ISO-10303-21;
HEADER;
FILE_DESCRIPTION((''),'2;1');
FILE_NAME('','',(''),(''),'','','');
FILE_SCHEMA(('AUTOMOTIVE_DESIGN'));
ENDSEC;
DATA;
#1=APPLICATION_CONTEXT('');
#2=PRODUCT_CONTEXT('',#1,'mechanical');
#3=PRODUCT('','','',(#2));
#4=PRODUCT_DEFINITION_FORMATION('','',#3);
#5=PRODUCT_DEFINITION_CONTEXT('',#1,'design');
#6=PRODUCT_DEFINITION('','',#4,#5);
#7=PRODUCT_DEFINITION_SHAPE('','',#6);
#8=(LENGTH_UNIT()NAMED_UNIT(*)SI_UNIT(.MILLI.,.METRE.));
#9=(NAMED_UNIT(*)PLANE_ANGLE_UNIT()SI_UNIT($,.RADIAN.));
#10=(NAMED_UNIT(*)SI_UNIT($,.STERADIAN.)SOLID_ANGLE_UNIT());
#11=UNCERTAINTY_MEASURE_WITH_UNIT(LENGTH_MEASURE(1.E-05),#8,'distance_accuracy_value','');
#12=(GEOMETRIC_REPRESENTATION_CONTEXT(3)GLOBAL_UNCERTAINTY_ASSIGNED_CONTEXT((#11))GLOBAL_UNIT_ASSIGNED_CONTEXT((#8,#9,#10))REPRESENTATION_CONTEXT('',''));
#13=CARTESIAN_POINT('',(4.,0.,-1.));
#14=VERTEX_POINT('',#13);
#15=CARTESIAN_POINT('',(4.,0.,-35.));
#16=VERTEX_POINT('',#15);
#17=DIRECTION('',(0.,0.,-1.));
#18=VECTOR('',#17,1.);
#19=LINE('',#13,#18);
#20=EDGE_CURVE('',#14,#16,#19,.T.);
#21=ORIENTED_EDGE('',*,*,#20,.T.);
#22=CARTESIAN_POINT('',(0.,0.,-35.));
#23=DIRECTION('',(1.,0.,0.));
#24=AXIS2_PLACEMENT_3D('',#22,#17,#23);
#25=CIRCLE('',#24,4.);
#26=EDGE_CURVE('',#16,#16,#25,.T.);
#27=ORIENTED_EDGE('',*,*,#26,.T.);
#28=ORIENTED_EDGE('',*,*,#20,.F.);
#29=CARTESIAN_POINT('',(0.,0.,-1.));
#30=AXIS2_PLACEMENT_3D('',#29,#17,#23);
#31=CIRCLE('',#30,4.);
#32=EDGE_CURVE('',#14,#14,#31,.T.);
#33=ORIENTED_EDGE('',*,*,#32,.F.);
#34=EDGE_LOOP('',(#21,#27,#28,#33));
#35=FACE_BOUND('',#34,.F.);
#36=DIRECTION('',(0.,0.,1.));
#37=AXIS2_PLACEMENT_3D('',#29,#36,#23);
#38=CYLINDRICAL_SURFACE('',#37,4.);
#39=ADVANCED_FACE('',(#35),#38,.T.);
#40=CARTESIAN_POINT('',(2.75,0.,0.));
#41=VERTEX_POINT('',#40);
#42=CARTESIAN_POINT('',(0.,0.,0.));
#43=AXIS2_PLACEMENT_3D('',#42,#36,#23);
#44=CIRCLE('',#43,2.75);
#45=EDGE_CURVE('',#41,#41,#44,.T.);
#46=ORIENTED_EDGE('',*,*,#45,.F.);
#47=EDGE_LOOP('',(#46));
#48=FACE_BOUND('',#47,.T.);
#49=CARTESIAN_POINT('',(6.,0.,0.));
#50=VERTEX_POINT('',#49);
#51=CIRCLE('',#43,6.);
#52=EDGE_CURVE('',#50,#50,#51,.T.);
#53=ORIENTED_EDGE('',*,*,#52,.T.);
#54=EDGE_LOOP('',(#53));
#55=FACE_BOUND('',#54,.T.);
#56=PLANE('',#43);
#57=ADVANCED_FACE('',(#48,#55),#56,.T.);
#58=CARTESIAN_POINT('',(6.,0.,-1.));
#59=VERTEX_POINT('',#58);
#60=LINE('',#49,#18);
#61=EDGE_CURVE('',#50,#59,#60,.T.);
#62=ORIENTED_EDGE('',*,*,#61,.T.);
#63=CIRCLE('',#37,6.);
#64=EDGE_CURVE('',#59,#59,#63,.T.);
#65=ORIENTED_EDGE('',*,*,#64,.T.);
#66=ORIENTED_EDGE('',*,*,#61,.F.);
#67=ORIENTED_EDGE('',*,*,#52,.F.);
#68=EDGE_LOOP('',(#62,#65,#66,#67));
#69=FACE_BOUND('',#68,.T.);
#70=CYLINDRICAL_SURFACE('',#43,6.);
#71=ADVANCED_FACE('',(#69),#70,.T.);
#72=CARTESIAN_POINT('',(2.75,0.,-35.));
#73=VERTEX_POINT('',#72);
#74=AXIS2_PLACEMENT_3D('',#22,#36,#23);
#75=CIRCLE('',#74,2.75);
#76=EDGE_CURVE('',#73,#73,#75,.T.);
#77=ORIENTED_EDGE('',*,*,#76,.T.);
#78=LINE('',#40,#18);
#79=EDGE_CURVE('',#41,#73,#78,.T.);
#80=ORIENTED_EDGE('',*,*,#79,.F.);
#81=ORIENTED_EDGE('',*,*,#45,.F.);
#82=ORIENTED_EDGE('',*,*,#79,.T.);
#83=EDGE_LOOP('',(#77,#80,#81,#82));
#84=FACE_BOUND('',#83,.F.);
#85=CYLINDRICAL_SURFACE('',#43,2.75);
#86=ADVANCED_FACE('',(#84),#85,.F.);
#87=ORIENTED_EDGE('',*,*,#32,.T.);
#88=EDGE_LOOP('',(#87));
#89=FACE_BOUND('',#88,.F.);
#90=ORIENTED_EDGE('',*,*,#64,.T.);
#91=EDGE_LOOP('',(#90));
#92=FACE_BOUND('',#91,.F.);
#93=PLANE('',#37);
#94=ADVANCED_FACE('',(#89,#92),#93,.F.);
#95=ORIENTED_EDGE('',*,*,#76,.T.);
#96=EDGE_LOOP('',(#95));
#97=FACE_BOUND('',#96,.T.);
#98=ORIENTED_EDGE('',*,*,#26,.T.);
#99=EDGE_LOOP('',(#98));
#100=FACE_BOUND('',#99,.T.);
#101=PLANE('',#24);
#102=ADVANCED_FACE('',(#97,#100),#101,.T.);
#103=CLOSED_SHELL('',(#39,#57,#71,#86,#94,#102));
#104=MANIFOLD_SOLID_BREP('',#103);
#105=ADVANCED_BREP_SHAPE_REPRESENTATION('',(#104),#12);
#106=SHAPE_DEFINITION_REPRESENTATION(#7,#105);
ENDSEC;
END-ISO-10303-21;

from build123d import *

# Parameters (mm, degrees)
F0_R     = 6
F1_DEPTH = 1
F2_R     = 4
F3_DEPTH = 34
F4_R     = 2.75
F5_DEPTH = 35


with BuildPart() as f1:
    # F0 (on Top) → F1 (new body)
    with BuildSketch(Plane.XY):
        Circle(F0_R)
    extrude(amount=-F1_DEPTH)

    # F2 (on face) → F3 (join)
    with BuildSketch(Plane(origin=(0, 0, -1), x_dir=(1, 0, 0), z_dir=(0, 0, -1))):
        Circle(F2_R)
    extrude(amount=F3_DEPTH)

    # F4 (on face) → F5 (cut)
    with BuildSketch(Plane.XY):
        Circle(F4_R)
    extrude(amount=-F5_DEPTH, mode=Mode.SUBTRACT)


solid = f1.part
